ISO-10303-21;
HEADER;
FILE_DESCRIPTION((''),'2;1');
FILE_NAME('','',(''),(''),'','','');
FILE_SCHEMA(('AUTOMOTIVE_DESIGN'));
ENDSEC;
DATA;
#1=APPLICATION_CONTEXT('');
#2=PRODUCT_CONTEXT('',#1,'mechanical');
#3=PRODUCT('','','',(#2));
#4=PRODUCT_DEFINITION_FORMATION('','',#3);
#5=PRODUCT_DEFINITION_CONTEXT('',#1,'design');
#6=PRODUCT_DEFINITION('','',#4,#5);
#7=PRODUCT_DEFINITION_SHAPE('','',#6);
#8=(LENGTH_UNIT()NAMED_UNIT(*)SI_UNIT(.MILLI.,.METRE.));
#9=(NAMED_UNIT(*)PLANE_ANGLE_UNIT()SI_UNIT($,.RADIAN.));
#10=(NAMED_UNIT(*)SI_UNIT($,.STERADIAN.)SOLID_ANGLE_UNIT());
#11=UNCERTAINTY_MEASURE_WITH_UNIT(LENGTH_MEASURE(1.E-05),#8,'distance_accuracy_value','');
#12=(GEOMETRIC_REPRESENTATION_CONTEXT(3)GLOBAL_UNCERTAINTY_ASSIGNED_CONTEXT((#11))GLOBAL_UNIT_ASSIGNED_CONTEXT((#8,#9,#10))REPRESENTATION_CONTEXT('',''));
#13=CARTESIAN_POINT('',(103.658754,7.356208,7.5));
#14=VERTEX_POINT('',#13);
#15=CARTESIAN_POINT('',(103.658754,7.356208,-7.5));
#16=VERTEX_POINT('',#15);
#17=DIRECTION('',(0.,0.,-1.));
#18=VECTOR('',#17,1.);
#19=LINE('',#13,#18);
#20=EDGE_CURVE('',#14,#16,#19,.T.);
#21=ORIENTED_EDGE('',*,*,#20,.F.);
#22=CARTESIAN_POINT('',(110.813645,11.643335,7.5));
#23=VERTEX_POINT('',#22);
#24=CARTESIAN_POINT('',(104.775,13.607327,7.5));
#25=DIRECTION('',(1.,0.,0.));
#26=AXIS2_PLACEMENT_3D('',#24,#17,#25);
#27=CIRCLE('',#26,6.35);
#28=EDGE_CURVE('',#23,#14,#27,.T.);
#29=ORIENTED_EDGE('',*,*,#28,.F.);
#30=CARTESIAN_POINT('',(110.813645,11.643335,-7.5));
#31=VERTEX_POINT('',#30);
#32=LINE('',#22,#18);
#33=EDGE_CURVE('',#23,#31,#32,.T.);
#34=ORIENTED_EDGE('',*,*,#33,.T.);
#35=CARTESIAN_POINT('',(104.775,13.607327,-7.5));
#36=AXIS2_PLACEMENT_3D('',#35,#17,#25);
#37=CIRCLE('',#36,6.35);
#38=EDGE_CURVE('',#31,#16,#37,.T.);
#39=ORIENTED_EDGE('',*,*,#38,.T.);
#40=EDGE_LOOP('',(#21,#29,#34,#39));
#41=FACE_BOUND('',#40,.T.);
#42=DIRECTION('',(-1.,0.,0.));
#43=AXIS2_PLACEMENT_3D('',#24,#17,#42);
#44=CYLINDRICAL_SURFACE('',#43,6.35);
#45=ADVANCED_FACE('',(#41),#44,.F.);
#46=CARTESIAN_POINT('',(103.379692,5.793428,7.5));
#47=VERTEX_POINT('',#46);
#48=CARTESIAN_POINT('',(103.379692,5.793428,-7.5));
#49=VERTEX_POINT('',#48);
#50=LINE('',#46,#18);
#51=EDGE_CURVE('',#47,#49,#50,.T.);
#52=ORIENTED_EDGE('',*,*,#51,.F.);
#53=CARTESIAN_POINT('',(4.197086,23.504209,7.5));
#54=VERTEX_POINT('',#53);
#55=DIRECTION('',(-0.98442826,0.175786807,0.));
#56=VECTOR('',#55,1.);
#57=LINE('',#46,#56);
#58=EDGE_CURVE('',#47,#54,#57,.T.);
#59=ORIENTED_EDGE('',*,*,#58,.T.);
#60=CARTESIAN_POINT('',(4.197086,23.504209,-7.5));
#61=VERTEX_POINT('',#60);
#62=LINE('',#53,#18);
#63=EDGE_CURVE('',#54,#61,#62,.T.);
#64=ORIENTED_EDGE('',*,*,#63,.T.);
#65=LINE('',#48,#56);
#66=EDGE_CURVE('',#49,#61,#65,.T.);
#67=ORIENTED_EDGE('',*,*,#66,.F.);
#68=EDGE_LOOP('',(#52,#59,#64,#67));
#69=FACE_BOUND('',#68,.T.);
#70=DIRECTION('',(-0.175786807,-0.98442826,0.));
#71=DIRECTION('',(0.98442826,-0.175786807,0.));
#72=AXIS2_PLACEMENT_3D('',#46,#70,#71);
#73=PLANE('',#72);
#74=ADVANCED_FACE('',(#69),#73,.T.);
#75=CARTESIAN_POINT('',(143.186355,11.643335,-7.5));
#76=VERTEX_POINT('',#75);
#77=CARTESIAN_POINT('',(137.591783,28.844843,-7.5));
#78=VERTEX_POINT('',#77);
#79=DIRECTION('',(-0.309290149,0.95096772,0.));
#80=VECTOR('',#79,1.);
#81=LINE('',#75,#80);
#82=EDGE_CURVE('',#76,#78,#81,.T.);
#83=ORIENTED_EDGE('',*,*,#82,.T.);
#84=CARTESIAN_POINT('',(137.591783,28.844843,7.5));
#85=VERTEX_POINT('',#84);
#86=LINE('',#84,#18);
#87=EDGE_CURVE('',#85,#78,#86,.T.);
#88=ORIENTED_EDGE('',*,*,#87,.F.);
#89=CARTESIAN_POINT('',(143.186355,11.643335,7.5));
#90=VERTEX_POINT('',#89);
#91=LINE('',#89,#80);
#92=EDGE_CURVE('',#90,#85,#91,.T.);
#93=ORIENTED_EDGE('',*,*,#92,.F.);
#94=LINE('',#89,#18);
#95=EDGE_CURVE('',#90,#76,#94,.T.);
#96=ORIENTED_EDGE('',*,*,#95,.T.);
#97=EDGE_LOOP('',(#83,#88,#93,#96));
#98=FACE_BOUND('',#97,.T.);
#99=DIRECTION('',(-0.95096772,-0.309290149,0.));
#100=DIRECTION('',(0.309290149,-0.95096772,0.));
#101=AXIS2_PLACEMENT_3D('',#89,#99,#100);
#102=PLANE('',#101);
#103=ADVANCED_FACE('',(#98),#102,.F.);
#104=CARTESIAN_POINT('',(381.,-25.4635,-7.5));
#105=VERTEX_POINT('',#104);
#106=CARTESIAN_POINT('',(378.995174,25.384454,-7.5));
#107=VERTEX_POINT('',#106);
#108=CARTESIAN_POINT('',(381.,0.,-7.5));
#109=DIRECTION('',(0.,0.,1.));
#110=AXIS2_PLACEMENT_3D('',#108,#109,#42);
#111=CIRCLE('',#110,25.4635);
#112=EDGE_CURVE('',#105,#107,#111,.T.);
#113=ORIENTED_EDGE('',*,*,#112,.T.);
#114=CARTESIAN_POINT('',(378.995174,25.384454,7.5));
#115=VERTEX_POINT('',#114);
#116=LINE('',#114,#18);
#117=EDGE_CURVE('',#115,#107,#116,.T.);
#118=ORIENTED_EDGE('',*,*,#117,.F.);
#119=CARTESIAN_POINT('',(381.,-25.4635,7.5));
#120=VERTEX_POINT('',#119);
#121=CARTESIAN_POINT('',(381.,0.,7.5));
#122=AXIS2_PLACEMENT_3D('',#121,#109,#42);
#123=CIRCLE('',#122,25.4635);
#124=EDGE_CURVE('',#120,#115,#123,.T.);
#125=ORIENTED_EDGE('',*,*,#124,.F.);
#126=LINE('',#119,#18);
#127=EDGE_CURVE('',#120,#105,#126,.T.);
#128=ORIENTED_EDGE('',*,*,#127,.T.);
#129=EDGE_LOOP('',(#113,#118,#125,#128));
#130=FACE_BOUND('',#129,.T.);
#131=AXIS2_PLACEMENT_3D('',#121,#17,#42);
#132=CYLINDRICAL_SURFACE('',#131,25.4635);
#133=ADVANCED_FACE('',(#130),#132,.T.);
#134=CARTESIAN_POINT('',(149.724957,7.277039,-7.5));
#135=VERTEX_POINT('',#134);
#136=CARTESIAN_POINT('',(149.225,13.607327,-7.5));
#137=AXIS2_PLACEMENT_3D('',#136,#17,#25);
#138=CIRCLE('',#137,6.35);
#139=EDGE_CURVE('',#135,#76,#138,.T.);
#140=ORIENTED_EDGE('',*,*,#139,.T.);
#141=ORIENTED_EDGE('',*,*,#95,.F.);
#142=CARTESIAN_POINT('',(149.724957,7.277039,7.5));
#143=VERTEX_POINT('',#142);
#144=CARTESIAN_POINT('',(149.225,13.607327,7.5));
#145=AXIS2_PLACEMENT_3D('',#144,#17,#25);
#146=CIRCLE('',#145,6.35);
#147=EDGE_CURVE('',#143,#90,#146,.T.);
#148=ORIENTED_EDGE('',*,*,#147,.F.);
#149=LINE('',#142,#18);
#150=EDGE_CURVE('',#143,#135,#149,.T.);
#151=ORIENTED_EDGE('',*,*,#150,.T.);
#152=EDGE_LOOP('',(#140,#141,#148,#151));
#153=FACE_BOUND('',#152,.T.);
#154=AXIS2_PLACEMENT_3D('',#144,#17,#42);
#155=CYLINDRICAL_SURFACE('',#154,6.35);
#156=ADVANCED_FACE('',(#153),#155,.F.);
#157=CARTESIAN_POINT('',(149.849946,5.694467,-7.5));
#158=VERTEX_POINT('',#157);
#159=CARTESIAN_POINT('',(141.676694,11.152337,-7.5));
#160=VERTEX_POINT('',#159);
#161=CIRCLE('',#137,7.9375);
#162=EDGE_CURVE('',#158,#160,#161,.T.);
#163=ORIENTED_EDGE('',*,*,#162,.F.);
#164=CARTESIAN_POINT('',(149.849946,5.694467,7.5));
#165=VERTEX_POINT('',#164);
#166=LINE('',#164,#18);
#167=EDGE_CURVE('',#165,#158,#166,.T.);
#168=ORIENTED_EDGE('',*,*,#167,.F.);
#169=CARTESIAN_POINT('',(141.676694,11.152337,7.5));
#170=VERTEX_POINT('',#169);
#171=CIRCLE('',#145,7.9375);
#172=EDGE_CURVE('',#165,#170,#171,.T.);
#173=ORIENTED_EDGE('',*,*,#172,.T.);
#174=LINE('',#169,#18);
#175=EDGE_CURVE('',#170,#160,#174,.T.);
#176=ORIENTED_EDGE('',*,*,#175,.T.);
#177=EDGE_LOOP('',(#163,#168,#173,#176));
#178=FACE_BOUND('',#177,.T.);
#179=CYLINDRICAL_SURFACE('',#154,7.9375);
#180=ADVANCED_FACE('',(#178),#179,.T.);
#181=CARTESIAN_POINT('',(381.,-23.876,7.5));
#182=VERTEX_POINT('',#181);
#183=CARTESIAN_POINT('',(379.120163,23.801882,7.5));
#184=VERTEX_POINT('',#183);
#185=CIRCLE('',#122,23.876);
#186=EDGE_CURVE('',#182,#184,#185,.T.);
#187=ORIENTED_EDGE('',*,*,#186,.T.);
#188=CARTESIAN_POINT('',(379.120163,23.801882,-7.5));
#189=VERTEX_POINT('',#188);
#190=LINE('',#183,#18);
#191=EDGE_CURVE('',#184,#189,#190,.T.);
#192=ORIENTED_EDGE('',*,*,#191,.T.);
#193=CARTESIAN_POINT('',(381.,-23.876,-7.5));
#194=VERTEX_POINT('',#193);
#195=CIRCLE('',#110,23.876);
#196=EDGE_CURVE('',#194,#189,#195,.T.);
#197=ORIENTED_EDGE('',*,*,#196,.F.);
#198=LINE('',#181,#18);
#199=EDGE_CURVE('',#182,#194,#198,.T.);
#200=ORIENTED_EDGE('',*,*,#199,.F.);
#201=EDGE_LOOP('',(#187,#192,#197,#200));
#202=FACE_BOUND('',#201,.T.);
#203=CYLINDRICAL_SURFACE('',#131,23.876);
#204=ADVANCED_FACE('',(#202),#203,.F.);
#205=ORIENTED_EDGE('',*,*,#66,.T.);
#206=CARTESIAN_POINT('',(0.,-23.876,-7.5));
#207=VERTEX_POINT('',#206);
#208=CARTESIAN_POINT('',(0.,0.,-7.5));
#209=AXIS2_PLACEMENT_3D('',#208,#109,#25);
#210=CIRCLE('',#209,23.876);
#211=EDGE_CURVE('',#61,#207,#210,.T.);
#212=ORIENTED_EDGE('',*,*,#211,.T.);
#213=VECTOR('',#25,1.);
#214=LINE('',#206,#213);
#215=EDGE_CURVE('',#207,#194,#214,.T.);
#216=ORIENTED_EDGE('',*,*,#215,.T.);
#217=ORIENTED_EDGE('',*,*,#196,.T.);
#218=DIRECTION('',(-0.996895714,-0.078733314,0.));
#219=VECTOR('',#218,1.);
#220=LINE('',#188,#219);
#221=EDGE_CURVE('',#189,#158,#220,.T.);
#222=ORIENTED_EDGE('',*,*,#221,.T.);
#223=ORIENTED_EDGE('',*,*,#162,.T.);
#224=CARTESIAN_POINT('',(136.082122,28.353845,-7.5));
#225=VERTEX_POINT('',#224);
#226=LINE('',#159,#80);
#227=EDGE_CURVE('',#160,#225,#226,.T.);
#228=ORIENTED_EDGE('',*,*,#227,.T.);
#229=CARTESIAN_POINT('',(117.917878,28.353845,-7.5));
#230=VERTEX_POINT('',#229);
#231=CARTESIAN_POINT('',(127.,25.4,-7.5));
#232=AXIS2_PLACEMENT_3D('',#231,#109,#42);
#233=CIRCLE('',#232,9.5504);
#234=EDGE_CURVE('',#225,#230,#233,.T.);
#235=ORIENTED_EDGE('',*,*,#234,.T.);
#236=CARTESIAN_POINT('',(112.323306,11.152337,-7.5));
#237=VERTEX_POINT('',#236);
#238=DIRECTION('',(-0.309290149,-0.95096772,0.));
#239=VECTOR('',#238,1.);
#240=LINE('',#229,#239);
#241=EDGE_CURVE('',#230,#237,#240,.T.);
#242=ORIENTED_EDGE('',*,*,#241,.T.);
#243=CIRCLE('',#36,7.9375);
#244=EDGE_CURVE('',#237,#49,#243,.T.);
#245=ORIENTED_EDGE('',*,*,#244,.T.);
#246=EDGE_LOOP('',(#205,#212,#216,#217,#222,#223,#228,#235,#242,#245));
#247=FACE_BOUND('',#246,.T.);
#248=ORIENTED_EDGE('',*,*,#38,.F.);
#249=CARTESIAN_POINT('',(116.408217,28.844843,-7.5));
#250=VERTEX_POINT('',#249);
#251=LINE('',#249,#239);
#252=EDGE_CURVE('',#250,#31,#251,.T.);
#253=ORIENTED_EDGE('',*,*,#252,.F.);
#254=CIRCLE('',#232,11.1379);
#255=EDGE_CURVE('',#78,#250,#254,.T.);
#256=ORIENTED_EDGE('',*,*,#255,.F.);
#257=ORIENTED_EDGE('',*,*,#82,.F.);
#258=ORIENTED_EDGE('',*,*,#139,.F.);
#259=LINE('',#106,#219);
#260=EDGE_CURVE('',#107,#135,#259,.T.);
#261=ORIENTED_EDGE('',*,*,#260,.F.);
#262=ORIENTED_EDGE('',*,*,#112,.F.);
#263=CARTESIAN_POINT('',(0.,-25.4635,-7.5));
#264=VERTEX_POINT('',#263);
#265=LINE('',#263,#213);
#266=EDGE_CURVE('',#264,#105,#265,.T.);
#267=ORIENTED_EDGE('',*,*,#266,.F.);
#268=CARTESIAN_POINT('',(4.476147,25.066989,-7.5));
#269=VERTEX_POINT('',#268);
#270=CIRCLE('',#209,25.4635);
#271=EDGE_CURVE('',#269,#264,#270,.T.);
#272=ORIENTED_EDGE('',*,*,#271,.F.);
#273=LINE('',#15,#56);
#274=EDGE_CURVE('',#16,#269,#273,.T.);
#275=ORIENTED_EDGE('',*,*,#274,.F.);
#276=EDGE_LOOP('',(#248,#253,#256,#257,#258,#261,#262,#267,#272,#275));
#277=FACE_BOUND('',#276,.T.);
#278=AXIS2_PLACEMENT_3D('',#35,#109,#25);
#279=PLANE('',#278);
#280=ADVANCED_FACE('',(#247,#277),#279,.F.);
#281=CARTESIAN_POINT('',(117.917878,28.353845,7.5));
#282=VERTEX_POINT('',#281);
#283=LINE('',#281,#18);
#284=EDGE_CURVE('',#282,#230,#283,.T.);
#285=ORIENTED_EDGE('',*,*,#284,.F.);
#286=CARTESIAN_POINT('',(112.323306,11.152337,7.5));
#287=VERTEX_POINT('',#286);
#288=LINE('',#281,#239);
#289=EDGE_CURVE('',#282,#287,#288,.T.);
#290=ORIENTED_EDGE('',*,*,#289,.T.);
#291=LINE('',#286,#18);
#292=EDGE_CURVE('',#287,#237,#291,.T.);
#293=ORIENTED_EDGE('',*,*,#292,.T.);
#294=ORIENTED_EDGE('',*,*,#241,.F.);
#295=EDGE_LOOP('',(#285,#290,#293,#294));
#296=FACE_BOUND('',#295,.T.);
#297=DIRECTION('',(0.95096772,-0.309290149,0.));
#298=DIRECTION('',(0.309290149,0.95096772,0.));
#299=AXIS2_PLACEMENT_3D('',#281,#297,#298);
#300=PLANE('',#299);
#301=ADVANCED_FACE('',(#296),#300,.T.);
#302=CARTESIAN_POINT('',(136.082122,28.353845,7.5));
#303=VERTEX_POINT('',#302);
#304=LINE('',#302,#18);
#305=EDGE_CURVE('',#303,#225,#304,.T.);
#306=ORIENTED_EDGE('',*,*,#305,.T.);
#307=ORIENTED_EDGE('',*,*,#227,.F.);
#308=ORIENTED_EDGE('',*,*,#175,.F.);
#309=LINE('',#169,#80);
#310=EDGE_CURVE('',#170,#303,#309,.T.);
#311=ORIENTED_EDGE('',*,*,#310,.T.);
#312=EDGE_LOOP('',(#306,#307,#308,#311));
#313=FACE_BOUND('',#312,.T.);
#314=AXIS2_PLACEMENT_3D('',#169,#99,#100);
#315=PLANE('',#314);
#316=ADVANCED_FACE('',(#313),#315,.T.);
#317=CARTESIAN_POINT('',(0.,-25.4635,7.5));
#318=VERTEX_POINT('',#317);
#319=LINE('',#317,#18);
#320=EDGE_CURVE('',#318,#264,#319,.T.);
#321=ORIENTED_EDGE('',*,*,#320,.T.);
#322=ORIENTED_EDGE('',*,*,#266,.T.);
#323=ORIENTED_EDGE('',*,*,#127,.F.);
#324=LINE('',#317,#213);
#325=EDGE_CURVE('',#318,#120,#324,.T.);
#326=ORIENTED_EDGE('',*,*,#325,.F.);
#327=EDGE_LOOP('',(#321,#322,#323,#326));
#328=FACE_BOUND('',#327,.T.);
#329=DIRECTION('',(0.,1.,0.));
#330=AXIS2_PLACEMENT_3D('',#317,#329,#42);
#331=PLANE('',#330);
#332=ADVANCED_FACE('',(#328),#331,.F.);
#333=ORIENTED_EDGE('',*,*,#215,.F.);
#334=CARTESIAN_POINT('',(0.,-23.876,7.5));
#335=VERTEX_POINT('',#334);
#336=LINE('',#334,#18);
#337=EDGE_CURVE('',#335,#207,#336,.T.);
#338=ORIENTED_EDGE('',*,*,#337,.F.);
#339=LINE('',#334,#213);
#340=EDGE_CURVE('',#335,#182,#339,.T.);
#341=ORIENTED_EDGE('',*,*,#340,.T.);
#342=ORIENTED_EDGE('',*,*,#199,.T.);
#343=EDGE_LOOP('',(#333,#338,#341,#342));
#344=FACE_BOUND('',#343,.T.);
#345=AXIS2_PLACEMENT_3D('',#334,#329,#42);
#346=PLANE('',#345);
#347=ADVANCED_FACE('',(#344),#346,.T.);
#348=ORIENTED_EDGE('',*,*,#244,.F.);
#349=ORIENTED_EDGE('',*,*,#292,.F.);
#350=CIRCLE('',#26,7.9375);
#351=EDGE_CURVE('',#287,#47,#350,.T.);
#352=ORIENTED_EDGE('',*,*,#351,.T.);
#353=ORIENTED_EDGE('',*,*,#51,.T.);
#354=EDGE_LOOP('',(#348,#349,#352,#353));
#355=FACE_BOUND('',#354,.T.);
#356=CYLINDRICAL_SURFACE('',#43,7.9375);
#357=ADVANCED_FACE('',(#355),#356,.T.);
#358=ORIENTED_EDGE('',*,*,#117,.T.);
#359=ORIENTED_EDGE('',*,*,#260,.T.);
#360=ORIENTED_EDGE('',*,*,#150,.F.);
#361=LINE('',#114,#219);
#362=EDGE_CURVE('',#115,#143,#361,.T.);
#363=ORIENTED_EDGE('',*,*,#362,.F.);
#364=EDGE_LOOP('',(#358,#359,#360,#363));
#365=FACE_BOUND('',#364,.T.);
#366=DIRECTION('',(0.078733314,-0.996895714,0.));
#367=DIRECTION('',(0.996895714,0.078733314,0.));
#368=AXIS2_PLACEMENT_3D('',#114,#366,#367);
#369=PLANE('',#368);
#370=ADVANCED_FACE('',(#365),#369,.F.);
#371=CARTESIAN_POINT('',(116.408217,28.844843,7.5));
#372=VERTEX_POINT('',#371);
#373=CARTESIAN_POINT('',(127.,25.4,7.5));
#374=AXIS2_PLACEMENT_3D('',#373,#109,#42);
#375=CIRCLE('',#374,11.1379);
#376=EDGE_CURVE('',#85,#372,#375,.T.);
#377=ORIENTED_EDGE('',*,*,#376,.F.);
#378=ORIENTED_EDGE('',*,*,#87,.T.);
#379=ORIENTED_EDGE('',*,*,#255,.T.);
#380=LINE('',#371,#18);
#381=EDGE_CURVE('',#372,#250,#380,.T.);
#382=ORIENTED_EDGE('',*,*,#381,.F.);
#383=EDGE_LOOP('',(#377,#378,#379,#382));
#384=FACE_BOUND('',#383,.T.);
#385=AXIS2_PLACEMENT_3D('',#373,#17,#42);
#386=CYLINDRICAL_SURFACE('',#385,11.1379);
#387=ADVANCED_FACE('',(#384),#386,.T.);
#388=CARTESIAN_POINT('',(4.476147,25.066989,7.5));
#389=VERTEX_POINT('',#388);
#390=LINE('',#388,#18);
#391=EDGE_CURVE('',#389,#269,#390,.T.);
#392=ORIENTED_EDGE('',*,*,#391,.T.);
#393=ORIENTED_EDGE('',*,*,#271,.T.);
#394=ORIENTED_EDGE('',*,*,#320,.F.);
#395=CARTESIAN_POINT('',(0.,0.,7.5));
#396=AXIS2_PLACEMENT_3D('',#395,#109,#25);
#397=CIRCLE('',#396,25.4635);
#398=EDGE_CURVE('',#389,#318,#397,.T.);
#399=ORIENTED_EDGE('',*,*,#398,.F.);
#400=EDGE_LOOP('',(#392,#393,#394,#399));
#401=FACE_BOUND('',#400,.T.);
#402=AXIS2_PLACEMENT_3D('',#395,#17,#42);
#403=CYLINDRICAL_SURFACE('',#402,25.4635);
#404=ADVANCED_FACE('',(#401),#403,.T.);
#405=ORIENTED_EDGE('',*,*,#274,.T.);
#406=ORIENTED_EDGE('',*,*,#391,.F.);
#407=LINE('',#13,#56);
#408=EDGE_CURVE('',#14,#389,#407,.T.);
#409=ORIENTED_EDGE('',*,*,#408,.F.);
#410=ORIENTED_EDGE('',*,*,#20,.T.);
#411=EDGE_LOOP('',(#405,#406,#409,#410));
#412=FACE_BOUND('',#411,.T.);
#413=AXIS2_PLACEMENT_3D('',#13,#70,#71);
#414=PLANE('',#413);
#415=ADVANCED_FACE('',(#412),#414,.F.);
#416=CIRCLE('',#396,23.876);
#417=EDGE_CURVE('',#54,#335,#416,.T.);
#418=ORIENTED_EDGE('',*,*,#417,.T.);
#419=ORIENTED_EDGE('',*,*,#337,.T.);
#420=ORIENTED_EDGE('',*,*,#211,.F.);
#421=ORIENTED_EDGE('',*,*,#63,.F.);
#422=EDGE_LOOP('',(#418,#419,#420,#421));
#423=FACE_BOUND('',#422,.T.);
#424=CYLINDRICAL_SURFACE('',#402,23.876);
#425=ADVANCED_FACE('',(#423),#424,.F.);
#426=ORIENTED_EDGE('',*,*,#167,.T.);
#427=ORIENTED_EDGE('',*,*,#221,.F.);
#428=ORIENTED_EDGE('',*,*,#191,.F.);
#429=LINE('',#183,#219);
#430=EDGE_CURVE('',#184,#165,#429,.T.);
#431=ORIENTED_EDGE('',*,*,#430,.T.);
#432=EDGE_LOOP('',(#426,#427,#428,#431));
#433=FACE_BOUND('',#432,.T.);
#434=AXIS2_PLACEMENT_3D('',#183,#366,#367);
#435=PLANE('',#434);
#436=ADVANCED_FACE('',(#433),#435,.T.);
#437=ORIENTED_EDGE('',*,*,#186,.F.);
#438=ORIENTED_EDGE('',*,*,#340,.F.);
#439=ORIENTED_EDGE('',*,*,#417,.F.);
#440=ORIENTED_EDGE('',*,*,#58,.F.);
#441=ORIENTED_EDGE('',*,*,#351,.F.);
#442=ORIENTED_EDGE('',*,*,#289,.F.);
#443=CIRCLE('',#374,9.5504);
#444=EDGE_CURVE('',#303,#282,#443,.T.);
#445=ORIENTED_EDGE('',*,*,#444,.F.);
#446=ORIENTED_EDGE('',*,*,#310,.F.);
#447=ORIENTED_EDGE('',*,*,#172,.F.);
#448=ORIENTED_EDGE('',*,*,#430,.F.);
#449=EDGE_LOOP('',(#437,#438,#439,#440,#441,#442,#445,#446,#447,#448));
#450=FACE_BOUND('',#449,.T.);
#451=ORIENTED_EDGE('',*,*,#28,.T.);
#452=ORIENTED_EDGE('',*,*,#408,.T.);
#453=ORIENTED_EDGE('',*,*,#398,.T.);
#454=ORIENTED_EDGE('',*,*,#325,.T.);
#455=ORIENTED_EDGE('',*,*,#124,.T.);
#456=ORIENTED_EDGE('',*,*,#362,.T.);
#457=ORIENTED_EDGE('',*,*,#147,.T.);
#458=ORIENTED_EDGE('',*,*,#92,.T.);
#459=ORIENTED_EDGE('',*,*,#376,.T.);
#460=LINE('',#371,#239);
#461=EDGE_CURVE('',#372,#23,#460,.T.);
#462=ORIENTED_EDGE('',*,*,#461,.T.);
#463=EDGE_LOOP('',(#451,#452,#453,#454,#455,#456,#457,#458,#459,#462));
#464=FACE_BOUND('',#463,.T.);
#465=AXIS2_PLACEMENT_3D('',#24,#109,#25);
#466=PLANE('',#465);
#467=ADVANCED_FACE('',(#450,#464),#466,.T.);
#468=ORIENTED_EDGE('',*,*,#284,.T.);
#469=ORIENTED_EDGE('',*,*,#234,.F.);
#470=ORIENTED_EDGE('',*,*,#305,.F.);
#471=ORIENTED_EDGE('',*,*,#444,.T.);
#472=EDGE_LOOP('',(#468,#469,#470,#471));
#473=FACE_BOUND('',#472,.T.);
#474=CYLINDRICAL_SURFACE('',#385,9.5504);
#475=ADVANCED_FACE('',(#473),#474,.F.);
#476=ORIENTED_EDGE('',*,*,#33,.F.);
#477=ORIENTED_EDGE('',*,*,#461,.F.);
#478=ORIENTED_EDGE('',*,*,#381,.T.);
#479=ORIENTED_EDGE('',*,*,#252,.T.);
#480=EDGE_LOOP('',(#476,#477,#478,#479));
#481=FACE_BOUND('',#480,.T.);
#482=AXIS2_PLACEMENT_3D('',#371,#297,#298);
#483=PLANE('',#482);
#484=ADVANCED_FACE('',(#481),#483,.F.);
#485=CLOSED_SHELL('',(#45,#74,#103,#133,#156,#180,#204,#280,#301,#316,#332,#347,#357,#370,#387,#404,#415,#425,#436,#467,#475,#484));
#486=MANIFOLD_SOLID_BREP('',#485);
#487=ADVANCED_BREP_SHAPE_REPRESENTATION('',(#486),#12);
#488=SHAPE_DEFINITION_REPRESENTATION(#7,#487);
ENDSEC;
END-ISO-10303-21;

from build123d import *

# Parameters (mm, degrees)
BOSS_EXTRUDE1_DEPTH = 7.5


with BuildPart() as part:
    # Sketch1 → Boss-Extrude1 (new, symmetric)
    with BuildSketch(Plane.XY):
        with BuildLine():
            Line((103.658753776, 7.356207616), (4.476147359, 25.066988991))
            ThreePointArc((4.476147359, 25.066988991), (-25.364178544, 2.246837564), (0, -25.4635))
            Line((0, -25.4635), (381, -25.4635))
            ThreePointArc((381, -25.4635), (406.443730831, 1.003191728), (378.995174246, 25.384454021))
            Line((378.995174246, 25.384454021), (149.724956547, 7.277039279))
            ThreePointArc((149.724956547, 7.277039279), (145.698613571, 8.326503384), (143.18635498, 11.643334619))
            Line((143.18635498, 11.643334619), (137.591783364, 28.84484275))
            ThreePointArc((137.591783364, 28.84484275), (127, 36.5379), (116.408216636, 28.84484275))
            Line((116.408216636, 28.84484275), (110.81364502, 11.643334619))
            ThreePointArc((110.81364502, 11.643334619), (108.038796403, 8.16029732), (103.658753776, 7.356207616))
        make_face()
        with BuildLine():
            Line((0, -23.876), (381, -23.876))
            ThreePointArc((381, -23.876), (404.857463323, 0.940648602), (379.120163383, 23.801882075))
            Line((379.120163383, 23.801882075), (149.849945684, 5.694467333))
            ThreePointArc((149.849945684, 5.694467333), (144.817016963, 7.006297463), (141.676693726, 11.152336508))
            Line((141.676693726, 11.152336508), (136.082122109, 28.353844639))
            ThreePointArc((136.082122109, 28.353844639), (127, 34.9504), (117.917877891, 28.353844639))
            Line((117.917877891, 28.353844639), (112.323306274, 11.152336508))
            ThreePointArc((112.323306274, 11.152336508), (108.854745504, 6.798539884), (103.37969222, 5.793427754))
            Line((103.37969222, 5.793427754), (4.197085803, 23.504209129))
            ThreePointArc((4.197085803, 23.504209129), (-23.782870655, 2.106760409), (0, -23.876))
        make_face(mode=Mode.SUBTRACT)
    extrude(amount=BOSS_EXTRUDE1_DEPTH, both=True)


solid = part.part
